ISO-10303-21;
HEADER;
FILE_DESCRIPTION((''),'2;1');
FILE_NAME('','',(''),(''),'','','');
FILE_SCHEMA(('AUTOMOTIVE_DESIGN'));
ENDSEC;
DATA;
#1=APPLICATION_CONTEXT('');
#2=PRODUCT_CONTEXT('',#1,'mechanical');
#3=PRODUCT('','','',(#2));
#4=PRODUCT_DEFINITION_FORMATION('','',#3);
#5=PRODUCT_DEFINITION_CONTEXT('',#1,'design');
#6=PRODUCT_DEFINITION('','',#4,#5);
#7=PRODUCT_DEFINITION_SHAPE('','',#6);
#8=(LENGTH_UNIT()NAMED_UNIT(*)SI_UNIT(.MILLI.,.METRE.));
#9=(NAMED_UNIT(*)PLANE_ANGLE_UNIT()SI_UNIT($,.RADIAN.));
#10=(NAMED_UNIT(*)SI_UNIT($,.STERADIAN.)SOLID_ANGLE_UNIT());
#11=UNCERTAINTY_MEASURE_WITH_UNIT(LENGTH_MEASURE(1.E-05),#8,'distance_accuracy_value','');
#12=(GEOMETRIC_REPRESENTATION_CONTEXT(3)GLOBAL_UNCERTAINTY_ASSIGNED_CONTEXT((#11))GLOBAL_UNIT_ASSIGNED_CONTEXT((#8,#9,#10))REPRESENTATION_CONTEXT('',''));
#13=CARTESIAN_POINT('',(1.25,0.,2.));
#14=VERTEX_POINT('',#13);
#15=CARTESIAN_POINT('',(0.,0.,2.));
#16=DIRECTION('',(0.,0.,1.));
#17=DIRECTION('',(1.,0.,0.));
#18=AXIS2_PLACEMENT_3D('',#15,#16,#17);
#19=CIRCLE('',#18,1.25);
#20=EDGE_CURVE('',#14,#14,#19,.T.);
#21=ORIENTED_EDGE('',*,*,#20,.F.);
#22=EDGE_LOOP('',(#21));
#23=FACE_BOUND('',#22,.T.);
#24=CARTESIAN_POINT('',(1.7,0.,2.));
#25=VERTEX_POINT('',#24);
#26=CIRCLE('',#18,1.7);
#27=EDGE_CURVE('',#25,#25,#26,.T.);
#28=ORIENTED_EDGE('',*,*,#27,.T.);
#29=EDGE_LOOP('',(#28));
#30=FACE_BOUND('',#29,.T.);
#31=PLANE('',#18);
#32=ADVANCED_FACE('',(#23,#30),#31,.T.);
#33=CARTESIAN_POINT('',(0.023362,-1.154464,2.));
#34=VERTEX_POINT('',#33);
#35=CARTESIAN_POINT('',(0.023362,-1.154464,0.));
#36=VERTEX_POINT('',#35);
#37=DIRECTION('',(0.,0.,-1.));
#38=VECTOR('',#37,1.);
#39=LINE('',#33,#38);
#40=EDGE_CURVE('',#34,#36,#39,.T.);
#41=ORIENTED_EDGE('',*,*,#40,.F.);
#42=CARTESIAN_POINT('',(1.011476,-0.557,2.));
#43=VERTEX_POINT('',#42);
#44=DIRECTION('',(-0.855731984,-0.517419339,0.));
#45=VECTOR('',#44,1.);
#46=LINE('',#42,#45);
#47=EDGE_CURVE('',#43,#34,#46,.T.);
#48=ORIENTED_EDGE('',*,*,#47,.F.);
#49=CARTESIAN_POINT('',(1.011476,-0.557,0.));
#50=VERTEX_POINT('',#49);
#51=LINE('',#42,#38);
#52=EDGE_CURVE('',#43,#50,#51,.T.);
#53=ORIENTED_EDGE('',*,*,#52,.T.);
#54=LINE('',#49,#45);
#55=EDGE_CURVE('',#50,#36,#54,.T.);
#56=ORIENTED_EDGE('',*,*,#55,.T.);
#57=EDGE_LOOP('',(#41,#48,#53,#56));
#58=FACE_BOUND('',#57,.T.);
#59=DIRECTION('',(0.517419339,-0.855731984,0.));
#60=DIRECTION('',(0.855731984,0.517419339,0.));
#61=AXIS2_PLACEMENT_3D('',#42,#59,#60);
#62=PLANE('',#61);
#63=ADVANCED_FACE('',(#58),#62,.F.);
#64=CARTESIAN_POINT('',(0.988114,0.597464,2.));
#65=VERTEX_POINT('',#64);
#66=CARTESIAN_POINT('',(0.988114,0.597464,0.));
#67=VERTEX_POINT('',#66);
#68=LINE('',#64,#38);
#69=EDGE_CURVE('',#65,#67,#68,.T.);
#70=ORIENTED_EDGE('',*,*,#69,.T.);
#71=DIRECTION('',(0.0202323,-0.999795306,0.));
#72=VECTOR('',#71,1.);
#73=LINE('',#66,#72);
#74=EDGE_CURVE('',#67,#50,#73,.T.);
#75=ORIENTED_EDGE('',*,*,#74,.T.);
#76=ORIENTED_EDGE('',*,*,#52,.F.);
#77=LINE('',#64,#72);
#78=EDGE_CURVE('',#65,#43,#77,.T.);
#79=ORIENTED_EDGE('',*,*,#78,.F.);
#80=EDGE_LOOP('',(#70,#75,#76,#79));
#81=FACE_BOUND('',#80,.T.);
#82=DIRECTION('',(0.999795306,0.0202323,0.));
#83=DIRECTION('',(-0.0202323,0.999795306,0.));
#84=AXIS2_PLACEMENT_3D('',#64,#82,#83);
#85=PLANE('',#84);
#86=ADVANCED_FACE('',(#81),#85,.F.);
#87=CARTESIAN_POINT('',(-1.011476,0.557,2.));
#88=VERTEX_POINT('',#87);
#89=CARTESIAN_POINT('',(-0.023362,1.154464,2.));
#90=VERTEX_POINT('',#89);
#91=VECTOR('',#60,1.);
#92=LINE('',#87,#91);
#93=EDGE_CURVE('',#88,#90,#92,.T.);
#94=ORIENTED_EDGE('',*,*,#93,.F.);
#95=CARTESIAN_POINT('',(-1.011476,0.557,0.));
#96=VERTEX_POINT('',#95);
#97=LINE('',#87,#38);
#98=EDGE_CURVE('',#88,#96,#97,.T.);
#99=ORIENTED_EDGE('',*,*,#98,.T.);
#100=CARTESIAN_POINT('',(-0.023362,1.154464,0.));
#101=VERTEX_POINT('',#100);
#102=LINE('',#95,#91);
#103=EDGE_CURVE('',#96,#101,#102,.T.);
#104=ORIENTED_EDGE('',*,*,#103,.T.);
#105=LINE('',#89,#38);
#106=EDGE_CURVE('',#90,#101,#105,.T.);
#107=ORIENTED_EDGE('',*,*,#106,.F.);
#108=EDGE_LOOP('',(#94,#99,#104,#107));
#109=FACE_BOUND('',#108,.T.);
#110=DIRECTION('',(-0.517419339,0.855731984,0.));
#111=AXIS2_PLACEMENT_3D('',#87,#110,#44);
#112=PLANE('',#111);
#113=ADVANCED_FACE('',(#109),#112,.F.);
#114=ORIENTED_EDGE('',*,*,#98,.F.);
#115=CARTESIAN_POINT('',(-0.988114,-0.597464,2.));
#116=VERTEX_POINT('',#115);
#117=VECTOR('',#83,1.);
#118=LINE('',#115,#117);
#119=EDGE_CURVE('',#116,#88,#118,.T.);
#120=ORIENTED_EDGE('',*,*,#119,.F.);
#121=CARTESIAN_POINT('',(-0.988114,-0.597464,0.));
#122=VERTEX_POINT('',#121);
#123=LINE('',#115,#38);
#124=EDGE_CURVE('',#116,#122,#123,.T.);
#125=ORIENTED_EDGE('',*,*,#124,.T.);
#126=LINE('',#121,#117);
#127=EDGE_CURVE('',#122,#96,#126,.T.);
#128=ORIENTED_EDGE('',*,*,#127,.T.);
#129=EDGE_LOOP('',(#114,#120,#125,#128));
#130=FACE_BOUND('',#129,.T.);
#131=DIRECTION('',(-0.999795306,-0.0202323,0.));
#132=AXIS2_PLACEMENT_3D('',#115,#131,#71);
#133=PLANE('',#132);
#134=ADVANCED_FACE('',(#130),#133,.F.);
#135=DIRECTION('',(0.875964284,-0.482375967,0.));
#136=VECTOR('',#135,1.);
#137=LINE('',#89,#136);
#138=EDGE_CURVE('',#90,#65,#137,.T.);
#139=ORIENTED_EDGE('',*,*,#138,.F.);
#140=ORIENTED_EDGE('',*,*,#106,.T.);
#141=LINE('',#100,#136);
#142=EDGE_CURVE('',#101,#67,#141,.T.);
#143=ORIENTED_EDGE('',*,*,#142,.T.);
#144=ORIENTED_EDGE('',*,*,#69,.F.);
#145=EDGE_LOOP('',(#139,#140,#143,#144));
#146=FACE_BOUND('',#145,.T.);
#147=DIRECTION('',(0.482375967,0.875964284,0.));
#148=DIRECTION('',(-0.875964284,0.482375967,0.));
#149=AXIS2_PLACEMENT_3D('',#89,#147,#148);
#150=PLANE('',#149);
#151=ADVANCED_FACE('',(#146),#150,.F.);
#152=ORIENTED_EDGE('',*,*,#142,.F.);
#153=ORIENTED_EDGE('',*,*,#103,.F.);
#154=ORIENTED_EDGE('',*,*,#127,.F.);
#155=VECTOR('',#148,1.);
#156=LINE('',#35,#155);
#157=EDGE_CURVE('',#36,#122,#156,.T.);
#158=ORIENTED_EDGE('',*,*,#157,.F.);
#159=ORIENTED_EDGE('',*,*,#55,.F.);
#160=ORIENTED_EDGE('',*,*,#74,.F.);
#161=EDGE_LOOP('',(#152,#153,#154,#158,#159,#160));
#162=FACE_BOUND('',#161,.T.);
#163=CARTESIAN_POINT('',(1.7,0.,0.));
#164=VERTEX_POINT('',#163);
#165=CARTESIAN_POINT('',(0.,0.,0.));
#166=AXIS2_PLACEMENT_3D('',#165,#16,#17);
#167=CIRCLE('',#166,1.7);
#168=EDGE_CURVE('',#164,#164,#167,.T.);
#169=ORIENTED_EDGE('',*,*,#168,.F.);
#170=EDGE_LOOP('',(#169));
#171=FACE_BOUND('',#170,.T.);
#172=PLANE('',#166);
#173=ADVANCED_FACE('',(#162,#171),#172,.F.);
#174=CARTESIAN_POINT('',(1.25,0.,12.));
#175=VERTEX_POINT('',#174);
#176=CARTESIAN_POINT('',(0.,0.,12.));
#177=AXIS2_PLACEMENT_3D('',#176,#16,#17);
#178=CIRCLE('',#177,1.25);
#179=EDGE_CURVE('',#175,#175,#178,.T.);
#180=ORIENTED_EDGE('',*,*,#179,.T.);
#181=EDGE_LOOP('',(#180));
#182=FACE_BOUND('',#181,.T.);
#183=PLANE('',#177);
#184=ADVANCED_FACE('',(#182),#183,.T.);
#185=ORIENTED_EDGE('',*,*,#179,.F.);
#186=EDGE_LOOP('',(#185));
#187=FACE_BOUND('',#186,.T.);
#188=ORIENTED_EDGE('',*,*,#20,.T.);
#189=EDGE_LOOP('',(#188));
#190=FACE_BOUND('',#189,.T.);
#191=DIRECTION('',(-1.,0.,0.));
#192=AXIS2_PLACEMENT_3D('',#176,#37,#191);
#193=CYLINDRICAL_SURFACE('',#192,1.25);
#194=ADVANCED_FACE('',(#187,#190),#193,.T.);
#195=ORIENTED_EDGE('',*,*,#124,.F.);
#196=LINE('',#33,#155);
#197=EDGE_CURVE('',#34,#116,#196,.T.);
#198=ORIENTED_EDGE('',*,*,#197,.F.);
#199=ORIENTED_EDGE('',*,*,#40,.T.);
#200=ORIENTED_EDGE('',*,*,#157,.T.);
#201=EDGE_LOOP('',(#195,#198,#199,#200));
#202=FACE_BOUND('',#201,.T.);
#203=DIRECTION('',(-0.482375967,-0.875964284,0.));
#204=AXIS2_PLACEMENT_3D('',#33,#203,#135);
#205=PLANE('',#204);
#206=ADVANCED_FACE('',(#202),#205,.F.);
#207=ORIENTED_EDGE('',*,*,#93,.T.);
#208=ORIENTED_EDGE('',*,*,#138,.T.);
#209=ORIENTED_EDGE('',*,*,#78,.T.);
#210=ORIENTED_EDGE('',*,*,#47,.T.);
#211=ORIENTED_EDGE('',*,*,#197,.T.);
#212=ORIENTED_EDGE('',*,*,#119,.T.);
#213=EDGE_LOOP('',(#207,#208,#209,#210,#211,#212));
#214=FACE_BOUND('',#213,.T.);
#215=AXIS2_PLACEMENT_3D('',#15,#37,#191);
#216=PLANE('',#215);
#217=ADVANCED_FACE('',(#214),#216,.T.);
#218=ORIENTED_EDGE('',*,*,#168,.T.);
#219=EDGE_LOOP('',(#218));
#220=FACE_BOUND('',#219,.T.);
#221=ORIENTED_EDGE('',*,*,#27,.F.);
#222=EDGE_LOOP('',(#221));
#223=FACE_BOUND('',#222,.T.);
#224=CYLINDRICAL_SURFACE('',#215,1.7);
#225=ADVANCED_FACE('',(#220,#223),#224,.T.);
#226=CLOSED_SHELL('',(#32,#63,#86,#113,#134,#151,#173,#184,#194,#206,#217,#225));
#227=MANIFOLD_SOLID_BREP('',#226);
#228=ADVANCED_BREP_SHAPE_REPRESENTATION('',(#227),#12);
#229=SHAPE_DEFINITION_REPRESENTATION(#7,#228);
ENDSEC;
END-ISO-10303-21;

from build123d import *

# Parameters (mm, degrees)
SKETCH1_R           = 1.25
BOSS_EXTRUDE1_DEPTH = 12
SKETCH1_3_R         = 1.7
SKETCH1_3_R_2       = 1.25
BOSS_EXTRUDE2_DEPTH = 2
CUT_EXTRUDE1_DEPTH  = 2


with BuildPart() as part:
    # Sketch1 → Boss-Extrude1 (new body)
    with BuildSketch(Plane.XY):
        Circle(SKETCH1_R)
    extrude(amount=BOSS_EXTRUDE1_DEPTH)

    # Sketch1<3> → Boss-Extrude2 (add)
    with BuildSketch(Plane.XY):
        Circle(SKETCH1_3_R)
        Circle(SKETCH1_3_R_2, mode=Mode.SUBTRACT)
    extrude(amount=BOSS_EXTRUDE2_DEPTH)

    # Sketch3 → Cut-Extrude1 (cut)
    with BuildSketch(Plane(origin=(0, 0, 0), x_dir=(-1, 0, 0), z_dir=(0, 0, -1))):
        Polygon((0.988114182, -0.597464389), (1.01147643, 0.556999789), (0.023362248, 1.154464178), (-0.988114182, 0.597464389), (-1.01147643, -0.556999789), (-0.023362248, -1.154464178), align=None)
    extrude(amount=-CUT_EXTRUDE1_DEPTH, mode=Mode.SUBTRACT)


solid = part.part
